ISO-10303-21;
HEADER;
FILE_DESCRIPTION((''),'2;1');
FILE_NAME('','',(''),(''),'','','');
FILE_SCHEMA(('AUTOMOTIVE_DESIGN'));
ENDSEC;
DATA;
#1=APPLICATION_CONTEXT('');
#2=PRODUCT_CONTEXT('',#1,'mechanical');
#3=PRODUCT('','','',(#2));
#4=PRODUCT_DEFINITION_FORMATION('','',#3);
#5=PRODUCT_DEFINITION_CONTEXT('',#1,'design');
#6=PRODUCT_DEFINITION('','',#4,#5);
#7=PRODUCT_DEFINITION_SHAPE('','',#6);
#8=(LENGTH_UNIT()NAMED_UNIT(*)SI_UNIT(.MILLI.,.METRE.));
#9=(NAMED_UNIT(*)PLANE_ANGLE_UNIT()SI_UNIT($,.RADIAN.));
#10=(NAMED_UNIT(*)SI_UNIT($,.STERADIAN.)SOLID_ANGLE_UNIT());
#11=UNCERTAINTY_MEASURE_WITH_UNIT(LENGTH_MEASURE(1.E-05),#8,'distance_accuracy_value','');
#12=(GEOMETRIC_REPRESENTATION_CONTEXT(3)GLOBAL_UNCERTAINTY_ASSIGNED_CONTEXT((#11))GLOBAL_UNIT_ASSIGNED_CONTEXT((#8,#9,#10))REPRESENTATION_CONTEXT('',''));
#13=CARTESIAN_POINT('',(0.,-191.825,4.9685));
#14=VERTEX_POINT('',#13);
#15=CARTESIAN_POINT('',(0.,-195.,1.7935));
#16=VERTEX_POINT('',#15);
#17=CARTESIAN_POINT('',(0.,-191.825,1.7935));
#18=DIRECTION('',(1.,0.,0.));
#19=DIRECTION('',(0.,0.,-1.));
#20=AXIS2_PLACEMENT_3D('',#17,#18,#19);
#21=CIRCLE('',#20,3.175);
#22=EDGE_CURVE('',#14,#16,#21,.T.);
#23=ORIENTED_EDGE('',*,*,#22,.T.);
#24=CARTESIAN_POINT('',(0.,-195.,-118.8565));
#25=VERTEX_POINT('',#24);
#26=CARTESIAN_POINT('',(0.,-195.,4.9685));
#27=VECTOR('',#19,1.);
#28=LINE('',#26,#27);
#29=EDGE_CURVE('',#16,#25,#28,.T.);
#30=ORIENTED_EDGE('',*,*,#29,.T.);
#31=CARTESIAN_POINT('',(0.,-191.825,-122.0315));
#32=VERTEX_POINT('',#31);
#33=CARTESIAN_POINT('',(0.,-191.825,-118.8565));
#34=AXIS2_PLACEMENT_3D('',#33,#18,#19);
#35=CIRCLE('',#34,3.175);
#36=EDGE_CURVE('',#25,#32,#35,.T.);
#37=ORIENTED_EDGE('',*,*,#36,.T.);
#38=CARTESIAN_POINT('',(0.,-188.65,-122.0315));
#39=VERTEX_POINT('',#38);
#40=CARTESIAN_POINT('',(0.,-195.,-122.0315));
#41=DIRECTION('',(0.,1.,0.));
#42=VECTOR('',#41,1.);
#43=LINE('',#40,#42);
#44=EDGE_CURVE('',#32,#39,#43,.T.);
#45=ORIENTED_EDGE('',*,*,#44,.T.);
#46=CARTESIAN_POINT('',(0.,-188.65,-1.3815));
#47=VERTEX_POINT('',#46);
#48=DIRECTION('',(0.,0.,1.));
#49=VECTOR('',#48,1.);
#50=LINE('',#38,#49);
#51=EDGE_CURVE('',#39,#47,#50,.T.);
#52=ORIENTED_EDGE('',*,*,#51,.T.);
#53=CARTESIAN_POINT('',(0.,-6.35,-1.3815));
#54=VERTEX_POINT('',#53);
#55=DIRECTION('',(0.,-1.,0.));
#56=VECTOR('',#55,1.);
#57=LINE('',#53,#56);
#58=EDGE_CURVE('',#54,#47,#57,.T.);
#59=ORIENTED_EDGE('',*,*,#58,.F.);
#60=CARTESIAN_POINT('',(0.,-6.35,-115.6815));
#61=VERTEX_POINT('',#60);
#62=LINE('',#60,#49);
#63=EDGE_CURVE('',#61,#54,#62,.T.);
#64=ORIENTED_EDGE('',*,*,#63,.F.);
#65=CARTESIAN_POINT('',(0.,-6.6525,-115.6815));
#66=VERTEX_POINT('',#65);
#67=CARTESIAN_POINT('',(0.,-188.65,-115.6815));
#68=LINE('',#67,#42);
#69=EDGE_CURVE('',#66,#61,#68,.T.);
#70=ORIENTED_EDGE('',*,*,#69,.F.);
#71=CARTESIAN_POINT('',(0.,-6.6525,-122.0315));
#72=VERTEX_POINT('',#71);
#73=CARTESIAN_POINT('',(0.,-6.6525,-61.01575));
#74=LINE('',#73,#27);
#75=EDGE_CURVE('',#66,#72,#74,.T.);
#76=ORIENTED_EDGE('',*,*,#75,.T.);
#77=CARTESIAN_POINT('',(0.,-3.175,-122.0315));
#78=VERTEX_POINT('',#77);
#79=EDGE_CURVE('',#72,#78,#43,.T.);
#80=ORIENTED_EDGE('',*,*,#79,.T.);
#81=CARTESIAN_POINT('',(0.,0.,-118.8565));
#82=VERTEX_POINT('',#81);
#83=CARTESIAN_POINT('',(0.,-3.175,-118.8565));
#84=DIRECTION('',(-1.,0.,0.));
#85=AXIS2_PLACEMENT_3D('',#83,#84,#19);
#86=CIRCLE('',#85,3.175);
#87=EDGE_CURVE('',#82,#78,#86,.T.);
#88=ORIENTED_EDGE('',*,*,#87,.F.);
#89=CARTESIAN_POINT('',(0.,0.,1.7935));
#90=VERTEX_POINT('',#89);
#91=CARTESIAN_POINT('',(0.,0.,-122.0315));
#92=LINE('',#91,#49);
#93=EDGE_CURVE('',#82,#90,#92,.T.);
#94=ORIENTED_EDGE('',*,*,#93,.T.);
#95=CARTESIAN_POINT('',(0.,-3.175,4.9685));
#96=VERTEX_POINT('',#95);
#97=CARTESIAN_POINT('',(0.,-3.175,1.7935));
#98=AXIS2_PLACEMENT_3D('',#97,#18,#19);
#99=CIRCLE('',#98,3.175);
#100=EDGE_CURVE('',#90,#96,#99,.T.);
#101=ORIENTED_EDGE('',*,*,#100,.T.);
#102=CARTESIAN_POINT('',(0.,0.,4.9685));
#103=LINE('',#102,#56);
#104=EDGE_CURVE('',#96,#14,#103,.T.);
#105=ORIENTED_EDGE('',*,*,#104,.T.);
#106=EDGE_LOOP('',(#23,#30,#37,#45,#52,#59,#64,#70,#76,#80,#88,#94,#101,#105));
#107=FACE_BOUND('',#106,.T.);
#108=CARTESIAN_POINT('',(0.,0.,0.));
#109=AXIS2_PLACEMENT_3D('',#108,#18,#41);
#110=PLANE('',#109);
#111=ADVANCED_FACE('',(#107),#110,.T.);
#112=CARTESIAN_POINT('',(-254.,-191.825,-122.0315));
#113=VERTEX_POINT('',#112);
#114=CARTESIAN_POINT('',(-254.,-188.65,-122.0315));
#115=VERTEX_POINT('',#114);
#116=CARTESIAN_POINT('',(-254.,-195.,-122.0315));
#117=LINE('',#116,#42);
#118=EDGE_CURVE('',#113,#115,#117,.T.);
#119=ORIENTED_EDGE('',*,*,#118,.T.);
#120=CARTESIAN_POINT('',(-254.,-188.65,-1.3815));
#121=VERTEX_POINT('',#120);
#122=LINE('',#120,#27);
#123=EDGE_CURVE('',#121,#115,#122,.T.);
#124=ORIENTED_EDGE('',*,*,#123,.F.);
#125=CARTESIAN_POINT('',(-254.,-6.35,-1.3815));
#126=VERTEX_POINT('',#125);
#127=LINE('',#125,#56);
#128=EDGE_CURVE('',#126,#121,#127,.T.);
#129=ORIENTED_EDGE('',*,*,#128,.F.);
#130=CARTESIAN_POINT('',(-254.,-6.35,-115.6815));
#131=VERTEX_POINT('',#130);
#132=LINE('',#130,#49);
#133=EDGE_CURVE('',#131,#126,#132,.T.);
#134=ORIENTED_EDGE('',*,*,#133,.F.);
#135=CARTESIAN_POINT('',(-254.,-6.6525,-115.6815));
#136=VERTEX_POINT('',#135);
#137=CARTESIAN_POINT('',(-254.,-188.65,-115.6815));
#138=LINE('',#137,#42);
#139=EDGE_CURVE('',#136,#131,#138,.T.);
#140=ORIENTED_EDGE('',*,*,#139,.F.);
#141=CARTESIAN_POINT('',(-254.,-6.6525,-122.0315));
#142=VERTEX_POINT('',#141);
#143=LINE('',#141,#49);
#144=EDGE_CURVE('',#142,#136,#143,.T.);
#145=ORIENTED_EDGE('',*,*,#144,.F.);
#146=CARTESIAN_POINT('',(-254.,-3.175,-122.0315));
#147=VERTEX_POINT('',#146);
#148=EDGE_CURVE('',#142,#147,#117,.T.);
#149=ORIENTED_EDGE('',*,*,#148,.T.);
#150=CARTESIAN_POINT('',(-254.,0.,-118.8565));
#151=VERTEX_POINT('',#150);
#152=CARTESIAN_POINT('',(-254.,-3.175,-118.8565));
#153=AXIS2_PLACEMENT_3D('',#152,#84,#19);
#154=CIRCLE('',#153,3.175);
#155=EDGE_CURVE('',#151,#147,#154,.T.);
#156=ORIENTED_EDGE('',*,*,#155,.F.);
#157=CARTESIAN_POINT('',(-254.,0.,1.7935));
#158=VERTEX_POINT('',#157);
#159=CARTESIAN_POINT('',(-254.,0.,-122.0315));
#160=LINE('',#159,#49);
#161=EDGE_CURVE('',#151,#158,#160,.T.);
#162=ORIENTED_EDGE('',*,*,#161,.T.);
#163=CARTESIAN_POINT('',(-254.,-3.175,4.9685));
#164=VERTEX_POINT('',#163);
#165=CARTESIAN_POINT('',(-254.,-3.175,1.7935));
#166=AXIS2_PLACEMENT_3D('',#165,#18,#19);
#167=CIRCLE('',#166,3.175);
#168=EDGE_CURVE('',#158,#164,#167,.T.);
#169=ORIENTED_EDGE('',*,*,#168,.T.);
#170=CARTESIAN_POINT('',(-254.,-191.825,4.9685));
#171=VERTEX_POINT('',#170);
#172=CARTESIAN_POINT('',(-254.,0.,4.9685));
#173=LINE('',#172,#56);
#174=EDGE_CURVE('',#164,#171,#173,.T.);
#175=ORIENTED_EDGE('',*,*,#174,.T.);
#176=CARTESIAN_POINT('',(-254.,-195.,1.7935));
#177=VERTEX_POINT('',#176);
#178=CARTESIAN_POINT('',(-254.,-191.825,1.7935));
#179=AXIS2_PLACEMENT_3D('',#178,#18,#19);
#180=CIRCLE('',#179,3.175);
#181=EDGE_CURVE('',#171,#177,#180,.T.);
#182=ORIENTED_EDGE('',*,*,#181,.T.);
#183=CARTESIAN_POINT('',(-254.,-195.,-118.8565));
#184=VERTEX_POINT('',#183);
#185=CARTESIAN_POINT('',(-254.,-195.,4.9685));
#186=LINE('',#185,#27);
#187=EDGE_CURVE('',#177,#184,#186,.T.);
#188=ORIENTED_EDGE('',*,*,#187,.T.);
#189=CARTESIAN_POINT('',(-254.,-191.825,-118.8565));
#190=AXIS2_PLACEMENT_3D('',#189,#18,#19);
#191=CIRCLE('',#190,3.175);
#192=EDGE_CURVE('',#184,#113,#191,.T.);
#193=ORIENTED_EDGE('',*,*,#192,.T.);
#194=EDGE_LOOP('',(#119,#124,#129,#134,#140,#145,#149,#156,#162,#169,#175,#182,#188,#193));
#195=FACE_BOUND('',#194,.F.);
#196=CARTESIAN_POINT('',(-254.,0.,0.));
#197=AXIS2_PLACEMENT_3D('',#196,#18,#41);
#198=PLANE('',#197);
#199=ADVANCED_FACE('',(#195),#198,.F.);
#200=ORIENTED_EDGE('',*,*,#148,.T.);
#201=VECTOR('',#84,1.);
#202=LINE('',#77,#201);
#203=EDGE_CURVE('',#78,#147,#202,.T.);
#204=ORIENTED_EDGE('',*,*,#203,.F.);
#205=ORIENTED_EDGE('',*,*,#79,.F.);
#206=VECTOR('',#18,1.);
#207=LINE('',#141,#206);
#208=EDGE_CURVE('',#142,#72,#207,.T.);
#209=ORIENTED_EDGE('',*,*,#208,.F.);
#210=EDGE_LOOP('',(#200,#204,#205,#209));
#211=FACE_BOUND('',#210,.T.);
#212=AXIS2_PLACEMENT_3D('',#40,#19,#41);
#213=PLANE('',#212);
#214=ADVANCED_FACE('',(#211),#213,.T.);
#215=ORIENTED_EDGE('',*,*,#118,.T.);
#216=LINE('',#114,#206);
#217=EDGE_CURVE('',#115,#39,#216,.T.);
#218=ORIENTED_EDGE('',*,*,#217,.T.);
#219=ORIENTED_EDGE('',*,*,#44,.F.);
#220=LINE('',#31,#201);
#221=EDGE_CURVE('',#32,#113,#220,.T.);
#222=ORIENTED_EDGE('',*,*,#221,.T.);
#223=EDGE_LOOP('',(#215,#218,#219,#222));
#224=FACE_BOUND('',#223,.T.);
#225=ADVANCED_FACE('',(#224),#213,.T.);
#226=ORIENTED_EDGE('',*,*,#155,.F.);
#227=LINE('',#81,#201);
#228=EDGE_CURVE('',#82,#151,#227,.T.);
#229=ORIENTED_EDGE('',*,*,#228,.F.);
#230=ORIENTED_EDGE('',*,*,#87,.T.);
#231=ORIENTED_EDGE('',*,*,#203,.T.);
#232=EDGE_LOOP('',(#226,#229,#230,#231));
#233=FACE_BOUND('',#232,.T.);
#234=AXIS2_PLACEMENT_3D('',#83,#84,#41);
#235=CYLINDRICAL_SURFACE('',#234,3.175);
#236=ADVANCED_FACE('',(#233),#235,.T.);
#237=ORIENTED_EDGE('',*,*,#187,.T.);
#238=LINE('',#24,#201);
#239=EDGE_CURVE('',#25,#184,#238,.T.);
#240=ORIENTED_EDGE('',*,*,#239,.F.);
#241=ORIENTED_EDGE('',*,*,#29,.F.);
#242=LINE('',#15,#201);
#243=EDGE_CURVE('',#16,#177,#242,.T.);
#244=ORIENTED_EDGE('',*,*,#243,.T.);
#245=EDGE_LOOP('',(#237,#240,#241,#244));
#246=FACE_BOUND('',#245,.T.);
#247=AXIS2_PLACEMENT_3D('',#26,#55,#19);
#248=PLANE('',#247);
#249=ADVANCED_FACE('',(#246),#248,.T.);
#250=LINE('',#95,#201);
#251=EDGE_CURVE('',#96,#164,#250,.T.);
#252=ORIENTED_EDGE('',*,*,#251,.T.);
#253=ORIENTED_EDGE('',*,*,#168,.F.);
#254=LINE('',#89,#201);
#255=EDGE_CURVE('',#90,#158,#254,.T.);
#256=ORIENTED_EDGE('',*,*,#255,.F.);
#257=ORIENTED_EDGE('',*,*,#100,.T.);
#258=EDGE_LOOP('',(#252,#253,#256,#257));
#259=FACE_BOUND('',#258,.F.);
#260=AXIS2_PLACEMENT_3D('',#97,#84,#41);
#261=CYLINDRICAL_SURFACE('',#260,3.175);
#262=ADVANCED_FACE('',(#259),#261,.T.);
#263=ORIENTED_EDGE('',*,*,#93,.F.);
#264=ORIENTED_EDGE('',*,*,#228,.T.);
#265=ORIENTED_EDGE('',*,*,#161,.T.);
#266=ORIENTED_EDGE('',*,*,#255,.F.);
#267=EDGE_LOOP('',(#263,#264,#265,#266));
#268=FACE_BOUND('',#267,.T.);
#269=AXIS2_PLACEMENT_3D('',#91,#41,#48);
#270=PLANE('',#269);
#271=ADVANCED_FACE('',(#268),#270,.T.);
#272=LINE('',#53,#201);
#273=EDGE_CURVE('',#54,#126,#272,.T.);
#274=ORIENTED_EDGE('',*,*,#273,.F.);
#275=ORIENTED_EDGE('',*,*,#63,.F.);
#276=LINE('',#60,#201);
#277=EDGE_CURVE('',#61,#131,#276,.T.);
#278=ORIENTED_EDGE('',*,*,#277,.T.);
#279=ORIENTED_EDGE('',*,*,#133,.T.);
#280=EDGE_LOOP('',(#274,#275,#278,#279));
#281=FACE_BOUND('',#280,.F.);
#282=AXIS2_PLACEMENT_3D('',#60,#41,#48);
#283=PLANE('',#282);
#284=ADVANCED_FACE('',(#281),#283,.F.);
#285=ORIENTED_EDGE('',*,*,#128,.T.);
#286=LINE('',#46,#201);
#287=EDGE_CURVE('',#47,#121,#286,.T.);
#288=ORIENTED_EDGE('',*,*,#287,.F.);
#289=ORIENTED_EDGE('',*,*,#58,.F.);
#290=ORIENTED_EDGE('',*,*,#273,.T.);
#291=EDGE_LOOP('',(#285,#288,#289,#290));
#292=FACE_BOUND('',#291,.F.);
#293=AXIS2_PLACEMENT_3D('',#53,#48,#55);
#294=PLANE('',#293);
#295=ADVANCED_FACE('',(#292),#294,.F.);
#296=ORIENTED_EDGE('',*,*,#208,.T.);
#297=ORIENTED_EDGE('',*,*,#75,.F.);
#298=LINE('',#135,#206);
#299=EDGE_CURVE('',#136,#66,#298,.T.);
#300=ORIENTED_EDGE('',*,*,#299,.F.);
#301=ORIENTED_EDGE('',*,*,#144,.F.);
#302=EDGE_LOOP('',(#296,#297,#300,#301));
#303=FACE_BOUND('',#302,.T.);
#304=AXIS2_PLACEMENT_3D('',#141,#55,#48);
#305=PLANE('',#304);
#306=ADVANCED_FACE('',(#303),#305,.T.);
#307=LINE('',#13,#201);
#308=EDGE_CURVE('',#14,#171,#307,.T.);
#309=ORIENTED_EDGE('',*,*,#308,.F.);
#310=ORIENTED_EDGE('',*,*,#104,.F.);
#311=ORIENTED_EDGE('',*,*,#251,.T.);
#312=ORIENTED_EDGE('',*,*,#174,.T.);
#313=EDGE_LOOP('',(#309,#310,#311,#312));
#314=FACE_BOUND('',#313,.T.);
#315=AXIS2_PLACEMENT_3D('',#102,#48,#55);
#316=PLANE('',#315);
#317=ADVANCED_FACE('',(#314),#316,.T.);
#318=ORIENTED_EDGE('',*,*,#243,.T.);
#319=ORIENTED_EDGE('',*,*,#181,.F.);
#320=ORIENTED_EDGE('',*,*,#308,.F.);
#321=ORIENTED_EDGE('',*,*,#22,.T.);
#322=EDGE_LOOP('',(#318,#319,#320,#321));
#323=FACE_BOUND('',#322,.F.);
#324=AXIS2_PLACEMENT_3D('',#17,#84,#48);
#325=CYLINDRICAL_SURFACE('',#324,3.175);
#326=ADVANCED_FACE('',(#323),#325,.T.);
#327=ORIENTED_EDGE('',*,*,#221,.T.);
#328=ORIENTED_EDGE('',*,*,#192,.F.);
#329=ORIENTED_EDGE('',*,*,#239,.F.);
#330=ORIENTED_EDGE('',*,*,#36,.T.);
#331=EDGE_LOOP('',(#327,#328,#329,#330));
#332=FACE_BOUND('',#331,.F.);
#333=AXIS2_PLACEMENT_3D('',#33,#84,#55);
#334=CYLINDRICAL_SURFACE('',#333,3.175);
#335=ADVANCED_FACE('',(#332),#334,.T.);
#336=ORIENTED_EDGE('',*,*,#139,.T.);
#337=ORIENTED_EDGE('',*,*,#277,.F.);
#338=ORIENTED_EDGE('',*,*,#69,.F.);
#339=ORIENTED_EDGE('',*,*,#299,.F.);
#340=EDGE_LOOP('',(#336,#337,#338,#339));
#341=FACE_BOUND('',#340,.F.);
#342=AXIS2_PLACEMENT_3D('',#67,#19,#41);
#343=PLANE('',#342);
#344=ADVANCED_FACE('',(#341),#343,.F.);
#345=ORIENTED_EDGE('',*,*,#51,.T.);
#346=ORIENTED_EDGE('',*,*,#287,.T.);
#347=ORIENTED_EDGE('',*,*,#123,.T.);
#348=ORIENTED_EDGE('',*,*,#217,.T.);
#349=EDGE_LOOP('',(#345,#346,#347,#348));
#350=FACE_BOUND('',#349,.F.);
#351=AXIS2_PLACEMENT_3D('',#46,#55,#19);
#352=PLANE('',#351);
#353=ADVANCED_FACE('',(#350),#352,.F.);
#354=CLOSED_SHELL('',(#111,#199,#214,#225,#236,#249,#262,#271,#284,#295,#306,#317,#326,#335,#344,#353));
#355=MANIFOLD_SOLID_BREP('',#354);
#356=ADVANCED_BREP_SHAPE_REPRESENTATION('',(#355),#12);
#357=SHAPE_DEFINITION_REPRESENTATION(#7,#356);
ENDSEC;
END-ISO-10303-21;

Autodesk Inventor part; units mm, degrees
ref_plane "YZ Plane" through (0, 0, 0) normal (1, 0, 0) x (0, 1, 0)
ref_plane "XZ Plane" through (0, 0, 0) normal (0, 1, 0) x (-1, 0, 0)
ref_plane "XY Plane" through (0, 0, 0) normal (0, 0, 1) x (1, 0, 0)
sketch "Sketch14" plane through (0, 0, 0) normal (1, 0, 0) x (0, 1, 0)
  line L0 (0, 4.9685) -> (-195, 4.9685)
  line L1 (-195, 4.9685) -> (-195, -122.0315)
  line L2 (-195, -122.0315) -> (0, -122.0315)
  line L3 (0, -122.0315) -> (0, 4.9685)
  line L4 (-6.35, -1.3815) -> (-188.65, -1.3815)
  line L5 (-188.65, -1.3815) -> (-188.65, -115.6815)
  line L6 (-188.65, -115.6815) -> (-6.35, -115.6815)
  line L7 (-6.35, -115.6815) -> (-6.35, -1.3815)
  line L8 (0, 4.9685) -> (-195, 4.9685)
  point P0 (0, 0)
extrude "Extrusion10" add sketch "Sketch14" against normal blind 254
sketch "Sketch18" plane through (-254, 0, 0) normal (-1, 0, 0) x (0, 0, 1)
  line L0 (-1.3815, -188.65) -> (-115.6815, -188.65) projected
  line L1 (-122.0315, 0) -> (-122.0315, -195) projected
  line L2 (-115.6815, -188.65) -> (-122.0315, -188.65)
  line L3 (-122.0315, -188.65) -> (-122.0315, -6.6525)
  line L4 (-122.0315, -6.6525) -> (-115.6815, -6.6525)
  line L5 (-115.6815, -6.6525) -> (-115.6815, -188.65)
  point P0 (0, 0)
extrude "Extrusion14" cut sketch "Sketch18" against normal through all
fillet "Fillet3" radius 3.175 2 edges at (-127, 0, 4.9685) (-127, -195, 4.9685)
fillet "Fillet4" radius 3.175 2 edges at (-127, 0, -122.0315) (-127, -195, -122.0315)
properties part number "WingBoxCouple"
